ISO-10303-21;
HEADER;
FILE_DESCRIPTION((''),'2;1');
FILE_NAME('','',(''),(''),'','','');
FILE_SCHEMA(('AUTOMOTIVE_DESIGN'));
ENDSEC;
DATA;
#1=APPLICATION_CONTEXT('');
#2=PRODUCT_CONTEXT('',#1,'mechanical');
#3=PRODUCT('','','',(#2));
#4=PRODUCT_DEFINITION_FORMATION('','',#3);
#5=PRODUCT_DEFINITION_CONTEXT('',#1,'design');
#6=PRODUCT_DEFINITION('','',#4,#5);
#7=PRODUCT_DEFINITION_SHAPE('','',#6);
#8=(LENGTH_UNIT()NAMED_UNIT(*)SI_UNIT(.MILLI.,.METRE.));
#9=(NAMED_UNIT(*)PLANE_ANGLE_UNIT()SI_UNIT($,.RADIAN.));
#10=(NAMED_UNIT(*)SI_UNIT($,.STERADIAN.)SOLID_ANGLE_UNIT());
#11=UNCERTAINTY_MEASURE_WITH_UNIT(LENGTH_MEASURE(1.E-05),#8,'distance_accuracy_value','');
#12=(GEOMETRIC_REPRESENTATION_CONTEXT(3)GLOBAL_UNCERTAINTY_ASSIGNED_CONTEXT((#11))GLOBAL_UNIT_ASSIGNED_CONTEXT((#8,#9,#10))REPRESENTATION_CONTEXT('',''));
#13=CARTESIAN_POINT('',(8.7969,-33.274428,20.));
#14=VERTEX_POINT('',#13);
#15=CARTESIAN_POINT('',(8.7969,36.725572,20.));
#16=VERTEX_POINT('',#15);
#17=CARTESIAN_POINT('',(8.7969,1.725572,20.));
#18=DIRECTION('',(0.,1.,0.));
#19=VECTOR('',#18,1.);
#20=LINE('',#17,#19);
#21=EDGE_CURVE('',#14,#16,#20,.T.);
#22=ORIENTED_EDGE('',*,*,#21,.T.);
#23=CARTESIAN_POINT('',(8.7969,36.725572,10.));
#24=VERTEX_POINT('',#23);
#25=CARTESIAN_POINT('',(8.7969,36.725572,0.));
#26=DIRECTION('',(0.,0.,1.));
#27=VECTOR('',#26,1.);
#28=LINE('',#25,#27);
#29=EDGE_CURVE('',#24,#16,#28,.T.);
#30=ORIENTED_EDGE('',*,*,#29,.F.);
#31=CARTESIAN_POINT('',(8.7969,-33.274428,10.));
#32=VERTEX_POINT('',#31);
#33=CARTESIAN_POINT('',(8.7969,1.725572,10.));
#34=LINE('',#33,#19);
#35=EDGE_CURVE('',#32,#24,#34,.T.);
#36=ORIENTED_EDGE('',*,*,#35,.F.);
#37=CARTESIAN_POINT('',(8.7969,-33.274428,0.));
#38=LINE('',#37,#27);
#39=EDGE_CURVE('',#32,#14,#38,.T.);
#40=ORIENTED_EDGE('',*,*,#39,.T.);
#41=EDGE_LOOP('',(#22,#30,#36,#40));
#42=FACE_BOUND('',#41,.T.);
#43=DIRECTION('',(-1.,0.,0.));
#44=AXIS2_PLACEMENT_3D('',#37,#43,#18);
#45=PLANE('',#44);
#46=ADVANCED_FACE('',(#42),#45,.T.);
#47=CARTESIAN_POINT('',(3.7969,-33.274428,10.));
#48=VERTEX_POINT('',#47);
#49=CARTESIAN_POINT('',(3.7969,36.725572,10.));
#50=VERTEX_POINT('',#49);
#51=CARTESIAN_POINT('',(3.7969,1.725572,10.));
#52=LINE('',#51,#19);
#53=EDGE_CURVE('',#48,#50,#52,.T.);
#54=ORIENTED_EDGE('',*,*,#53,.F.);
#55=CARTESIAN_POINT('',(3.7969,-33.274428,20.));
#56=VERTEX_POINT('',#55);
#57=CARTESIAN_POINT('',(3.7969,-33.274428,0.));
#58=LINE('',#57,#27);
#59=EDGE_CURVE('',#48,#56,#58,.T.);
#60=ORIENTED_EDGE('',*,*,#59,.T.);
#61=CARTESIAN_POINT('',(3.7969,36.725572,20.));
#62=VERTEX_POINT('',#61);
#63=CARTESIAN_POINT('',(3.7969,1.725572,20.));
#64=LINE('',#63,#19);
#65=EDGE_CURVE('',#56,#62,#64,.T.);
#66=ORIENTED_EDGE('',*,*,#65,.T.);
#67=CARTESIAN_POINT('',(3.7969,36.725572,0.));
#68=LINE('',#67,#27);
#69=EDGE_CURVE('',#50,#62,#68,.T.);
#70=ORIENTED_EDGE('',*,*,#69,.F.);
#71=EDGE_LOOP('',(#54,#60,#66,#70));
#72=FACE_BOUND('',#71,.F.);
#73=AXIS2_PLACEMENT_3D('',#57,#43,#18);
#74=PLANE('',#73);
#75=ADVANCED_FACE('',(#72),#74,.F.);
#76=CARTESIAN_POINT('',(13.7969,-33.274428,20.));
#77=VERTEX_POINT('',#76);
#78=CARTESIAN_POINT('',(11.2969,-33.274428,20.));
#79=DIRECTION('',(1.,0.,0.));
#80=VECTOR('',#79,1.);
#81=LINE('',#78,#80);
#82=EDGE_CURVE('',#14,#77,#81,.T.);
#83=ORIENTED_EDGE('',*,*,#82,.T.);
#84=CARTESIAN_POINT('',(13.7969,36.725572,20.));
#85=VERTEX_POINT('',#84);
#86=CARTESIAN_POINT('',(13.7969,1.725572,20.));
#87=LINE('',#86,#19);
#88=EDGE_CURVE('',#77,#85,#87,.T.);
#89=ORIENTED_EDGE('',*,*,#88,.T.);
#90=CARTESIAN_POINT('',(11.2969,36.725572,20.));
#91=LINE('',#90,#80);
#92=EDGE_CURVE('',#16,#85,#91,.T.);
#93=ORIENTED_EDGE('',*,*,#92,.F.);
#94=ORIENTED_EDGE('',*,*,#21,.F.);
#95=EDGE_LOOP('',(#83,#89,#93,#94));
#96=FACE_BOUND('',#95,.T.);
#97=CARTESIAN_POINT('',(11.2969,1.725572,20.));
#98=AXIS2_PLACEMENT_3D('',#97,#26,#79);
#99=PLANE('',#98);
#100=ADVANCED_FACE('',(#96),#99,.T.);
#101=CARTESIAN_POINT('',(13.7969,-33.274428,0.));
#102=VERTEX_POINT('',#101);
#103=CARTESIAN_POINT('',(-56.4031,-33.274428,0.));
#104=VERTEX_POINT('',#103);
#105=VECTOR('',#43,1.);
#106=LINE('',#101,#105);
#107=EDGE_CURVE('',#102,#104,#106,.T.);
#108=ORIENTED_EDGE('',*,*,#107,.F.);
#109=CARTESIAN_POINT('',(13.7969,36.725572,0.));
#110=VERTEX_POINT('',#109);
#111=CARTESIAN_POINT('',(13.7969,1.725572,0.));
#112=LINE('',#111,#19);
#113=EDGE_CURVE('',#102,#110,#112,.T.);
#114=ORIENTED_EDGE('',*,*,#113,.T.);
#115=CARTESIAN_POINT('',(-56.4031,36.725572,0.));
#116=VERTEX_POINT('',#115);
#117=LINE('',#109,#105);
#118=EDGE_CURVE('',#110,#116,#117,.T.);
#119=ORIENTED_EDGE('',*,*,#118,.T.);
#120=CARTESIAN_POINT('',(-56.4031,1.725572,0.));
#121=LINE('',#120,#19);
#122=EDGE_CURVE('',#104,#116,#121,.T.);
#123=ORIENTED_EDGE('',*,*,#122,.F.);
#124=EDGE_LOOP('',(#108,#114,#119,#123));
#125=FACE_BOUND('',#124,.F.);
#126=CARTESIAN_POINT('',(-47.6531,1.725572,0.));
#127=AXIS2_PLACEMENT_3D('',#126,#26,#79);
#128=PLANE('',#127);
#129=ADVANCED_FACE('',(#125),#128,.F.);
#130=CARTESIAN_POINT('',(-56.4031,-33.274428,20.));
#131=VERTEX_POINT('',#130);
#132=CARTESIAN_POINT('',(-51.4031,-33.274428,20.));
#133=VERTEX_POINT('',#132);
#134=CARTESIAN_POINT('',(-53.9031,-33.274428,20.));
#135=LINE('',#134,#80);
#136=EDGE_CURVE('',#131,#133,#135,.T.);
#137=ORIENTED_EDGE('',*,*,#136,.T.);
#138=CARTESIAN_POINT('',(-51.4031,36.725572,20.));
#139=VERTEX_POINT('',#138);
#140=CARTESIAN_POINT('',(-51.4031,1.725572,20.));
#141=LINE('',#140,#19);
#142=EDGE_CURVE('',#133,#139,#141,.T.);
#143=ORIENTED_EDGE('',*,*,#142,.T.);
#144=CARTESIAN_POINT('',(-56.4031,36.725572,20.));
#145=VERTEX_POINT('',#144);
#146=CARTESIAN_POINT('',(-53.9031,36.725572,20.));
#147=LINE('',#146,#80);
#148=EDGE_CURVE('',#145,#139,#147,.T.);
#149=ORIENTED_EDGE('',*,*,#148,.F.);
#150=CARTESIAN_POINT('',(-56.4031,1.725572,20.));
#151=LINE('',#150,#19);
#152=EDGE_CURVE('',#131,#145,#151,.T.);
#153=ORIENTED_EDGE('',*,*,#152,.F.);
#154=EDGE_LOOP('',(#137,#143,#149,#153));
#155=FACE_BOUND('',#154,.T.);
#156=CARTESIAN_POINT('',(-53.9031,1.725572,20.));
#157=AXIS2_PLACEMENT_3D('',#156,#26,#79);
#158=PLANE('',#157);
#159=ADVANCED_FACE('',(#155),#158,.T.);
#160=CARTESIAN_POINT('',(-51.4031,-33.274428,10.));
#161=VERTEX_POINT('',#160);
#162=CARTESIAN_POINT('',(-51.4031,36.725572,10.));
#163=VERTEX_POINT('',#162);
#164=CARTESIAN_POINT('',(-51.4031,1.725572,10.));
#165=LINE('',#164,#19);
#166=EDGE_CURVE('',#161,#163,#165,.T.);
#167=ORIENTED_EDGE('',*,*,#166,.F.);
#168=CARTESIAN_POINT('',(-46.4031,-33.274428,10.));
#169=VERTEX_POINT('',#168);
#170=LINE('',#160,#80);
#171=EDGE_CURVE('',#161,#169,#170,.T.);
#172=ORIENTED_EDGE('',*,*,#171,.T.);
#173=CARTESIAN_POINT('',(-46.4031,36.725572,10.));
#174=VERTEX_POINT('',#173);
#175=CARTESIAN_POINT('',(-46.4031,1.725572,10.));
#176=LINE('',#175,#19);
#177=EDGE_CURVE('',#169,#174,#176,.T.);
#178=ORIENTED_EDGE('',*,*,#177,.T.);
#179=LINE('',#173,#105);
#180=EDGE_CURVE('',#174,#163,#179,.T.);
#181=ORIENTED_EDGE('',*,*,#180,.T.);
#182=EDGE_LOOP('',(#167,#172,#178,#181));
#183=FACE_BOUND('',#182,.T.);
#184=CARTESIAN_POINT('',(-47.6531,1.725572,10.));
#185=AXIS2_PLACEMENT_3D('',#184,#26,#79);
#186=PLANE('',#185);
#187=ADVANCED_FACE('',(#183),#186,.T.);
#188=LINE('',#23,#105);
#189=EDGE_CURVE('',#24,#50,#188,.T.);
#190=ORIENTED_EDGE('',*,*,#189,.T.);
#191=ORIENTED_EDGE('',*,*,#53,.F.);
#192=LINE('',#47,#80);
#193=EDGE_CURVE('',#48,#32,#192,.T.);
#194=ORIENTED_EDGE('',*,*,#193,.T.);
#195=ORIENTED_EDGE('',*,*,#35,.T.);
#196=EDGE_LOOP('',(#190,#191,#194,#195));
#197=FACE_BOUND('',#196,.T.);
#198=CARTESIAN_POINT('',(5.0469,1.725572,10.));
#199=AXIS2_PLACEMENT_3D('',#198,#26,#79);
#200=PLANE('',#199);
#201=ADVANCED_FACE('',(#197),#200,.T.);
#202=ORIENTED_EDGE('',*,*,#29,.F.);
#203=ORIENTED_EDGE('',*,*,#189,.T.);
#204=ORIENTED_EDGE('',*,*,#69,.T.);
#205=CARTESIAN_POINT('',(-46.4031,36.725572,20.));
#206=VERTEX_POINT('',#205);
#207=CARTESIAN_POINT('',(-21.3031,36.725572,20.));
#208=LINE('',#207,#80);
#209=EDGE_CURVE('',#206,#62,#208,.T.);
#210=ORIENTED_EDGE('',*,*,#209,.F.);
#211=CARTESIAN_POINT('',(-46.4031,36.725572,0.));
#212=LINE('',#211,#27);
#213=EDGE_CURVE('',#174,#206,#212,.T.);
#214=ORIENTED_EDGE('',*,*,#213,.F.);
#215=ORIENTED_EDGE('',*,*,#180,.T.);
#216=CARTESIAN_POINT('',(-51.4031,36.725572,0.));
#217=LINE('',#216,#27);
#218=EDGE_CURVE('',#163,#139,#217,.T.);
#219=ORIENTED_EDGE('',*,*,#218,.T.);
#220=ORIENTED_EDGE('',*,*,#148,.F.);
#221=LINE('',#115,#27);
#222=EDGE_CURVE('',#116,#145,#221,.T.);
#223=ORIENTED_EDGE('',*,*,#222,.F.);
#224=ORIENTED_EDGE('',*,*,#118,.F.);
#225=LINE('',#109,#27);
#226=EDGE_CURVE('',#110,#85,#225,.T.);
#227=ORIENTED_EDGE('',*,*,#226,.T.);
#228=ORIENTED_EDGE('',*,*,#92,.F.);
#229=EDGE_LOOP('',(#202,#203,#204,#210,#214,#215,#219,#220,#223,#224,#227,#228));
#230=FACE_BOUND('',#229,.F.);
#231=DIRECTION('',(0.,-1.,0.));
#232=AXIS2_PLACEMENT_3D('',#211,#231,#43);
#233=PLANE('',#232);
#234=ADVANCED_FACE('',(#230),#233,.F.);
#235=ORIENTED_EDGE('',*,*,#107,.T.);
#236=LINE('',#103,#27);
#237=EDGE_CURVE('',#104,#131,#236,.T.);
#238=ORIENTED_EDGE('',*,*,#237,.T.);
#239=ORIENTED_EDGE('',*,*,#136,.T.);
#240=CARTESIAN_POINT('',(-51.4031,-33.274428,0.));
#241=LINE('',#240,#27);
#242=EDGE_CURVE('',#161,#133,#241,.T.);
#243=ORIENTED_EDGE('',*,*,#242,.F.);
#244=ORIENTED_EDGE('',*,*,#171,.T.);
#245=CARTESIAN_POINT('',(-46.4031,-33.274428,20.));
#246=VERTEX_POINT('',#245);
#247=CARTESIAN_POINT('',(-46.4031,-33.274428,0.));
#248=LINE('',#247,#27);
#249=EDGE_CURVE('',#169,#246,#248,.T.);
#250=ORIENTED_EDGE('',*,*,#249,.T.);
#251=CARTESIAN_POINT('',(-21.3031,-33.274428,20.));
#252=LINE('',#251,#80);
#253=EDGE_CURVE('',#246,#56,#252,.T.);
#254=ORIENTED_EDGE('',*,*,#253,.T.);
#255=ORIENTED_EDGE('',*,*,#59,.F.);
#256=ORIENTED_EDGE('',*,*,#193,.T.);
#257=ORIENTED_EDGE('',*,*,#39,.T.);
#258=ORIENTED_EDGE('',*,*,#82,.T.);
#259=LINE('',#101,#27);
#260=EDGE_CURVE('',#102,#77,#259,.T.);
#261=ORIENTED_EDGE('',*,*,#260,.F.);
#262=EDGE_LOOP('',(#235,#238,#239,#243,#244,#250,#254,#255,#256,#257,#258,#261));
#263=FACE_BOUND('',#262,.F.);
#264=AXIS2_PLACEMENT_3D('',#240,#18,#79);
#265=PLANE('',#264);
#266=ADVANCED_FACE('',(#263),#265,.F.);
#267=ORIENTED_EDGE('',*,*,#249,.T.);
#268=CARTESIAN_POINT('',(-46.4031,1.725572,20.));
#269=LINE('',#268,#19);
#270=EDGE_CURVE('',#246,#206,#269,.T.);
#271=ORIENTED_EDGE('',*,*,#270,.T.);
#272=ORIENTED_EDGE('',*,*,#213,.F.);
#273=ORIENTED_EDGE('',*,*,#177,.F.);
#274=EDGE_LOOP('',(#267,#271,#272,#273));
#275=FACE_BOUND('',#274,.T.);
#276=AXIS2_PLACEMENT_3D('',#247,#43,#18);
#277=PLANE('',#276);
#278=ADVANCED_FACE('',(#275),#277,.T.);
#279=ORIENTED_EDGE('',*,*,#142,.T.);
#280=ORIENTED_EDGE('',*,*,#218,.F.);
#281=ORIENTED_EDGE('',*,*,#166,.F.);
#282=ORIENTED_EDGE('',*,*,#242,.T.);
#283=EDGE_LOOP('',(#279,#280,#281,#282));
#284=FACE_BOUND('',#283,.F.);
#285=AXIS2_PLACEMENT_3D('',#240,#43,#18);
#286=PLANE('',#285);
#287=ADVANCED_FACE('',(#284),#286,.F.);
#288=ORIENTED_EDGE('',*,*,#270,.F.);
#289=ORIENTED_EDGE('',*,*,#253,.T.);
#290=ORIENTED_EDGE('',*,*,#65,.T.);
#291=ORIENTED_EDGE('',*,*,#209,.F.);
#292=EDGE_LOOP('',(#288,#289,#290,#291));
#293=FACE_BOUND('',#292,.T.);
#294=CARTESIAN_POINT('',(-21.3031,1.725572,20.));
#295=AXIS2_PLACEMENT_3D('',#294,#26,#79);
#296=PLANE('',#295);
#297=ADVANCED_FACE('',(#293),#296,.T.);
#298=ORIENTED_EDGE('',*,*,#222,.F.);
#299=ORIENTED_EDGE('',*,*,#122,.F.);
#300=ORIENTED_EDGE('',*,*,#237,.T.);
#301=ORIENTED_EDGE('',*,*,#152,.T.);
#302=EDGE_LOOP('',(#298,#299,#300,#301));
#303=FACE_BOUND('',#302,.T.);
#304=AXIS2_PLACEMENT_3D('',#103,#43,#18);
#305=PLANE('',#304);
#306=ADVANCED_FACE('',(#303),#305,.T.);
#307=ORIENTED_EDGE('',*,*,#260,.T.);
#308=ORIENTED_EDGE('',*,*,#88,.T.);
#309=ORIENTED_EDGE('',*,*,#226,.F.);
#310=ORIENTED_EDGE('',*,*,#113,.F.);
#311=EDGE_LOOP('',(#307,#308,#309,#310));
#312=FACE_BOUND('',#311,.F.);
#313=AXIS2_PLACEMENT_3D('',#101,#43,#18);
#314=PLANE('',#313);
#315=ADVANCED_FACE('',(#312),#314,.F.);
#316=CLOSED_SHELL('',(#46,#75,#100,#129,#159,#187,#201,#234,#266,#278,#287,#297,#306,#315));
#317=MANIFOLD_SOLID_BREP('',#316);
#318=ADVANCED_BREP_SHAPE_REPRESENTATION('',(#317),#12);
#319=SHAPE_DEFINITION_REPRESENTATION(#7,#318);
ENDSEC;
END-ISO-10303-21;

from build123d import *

# Parameters (mm, degrees)
F0_W     = 5
F0_H     = 70
F1_DEPTH = 20
F0_W_2   = 50.2
F0_W_3   = 2.5
F2_DEPTH = 10


with BuildPart() as f1:
    # F0 (on Top) → F1 (new body)
    with BuildSketch(Plane.XY):
        with Locations((-53.9031001925, 1.7255722731)):
            Rectangle(F0_W, F0_H)
    extrude(amount=F1_DEPTH)



with BuildPart() as f1b:
    # F0 (on Top) → F1, piece 2 (new body)
    with BuildSketch(Plane.XY):
        with Locations((-21.3031001925, 1.7255722731)):
            Rectangle(F0_W_2, F0_H)
    extrude(amount=F1_DEPTH)


with BuildPart() as f1c:
    # F0 (on Top) → F1, piece 3 (new body)
    with BuildSketch(Plane.XY):
        with Locations((11.2968998075, 1.7255722731)):
            Rectangle(F0_W, F0_H)
    extrude(amount=F1_DEPTH)


with BuildPart() as f1_1:
    add(f1.part)

    add(f1b.part)  # F2 merges F1b

    add(f1c.part)  # F2 merges F1c
    # F0 (on Top) → F2 (join)
    with BuildSketch(Plane.XY):
        with Locations((-47.6531001925, 1.7255722731)):
            Rectangle(F0_W_3, F0_H)
        with Locations((-50.1531001925, 1.7255722731)):
            Rectangle(F0_W_3, F0_H)
        with Locations((5.0468998075, 1.7255722731)):
            Rectangle(F0_W_3, F0_H)
        with Locations((7.5468998075, 1.7255722731)):
            Rectangle(F0_W_3, F0_H)
    extrude(amount=F2_DEPTH)


solid = f1_1.part
